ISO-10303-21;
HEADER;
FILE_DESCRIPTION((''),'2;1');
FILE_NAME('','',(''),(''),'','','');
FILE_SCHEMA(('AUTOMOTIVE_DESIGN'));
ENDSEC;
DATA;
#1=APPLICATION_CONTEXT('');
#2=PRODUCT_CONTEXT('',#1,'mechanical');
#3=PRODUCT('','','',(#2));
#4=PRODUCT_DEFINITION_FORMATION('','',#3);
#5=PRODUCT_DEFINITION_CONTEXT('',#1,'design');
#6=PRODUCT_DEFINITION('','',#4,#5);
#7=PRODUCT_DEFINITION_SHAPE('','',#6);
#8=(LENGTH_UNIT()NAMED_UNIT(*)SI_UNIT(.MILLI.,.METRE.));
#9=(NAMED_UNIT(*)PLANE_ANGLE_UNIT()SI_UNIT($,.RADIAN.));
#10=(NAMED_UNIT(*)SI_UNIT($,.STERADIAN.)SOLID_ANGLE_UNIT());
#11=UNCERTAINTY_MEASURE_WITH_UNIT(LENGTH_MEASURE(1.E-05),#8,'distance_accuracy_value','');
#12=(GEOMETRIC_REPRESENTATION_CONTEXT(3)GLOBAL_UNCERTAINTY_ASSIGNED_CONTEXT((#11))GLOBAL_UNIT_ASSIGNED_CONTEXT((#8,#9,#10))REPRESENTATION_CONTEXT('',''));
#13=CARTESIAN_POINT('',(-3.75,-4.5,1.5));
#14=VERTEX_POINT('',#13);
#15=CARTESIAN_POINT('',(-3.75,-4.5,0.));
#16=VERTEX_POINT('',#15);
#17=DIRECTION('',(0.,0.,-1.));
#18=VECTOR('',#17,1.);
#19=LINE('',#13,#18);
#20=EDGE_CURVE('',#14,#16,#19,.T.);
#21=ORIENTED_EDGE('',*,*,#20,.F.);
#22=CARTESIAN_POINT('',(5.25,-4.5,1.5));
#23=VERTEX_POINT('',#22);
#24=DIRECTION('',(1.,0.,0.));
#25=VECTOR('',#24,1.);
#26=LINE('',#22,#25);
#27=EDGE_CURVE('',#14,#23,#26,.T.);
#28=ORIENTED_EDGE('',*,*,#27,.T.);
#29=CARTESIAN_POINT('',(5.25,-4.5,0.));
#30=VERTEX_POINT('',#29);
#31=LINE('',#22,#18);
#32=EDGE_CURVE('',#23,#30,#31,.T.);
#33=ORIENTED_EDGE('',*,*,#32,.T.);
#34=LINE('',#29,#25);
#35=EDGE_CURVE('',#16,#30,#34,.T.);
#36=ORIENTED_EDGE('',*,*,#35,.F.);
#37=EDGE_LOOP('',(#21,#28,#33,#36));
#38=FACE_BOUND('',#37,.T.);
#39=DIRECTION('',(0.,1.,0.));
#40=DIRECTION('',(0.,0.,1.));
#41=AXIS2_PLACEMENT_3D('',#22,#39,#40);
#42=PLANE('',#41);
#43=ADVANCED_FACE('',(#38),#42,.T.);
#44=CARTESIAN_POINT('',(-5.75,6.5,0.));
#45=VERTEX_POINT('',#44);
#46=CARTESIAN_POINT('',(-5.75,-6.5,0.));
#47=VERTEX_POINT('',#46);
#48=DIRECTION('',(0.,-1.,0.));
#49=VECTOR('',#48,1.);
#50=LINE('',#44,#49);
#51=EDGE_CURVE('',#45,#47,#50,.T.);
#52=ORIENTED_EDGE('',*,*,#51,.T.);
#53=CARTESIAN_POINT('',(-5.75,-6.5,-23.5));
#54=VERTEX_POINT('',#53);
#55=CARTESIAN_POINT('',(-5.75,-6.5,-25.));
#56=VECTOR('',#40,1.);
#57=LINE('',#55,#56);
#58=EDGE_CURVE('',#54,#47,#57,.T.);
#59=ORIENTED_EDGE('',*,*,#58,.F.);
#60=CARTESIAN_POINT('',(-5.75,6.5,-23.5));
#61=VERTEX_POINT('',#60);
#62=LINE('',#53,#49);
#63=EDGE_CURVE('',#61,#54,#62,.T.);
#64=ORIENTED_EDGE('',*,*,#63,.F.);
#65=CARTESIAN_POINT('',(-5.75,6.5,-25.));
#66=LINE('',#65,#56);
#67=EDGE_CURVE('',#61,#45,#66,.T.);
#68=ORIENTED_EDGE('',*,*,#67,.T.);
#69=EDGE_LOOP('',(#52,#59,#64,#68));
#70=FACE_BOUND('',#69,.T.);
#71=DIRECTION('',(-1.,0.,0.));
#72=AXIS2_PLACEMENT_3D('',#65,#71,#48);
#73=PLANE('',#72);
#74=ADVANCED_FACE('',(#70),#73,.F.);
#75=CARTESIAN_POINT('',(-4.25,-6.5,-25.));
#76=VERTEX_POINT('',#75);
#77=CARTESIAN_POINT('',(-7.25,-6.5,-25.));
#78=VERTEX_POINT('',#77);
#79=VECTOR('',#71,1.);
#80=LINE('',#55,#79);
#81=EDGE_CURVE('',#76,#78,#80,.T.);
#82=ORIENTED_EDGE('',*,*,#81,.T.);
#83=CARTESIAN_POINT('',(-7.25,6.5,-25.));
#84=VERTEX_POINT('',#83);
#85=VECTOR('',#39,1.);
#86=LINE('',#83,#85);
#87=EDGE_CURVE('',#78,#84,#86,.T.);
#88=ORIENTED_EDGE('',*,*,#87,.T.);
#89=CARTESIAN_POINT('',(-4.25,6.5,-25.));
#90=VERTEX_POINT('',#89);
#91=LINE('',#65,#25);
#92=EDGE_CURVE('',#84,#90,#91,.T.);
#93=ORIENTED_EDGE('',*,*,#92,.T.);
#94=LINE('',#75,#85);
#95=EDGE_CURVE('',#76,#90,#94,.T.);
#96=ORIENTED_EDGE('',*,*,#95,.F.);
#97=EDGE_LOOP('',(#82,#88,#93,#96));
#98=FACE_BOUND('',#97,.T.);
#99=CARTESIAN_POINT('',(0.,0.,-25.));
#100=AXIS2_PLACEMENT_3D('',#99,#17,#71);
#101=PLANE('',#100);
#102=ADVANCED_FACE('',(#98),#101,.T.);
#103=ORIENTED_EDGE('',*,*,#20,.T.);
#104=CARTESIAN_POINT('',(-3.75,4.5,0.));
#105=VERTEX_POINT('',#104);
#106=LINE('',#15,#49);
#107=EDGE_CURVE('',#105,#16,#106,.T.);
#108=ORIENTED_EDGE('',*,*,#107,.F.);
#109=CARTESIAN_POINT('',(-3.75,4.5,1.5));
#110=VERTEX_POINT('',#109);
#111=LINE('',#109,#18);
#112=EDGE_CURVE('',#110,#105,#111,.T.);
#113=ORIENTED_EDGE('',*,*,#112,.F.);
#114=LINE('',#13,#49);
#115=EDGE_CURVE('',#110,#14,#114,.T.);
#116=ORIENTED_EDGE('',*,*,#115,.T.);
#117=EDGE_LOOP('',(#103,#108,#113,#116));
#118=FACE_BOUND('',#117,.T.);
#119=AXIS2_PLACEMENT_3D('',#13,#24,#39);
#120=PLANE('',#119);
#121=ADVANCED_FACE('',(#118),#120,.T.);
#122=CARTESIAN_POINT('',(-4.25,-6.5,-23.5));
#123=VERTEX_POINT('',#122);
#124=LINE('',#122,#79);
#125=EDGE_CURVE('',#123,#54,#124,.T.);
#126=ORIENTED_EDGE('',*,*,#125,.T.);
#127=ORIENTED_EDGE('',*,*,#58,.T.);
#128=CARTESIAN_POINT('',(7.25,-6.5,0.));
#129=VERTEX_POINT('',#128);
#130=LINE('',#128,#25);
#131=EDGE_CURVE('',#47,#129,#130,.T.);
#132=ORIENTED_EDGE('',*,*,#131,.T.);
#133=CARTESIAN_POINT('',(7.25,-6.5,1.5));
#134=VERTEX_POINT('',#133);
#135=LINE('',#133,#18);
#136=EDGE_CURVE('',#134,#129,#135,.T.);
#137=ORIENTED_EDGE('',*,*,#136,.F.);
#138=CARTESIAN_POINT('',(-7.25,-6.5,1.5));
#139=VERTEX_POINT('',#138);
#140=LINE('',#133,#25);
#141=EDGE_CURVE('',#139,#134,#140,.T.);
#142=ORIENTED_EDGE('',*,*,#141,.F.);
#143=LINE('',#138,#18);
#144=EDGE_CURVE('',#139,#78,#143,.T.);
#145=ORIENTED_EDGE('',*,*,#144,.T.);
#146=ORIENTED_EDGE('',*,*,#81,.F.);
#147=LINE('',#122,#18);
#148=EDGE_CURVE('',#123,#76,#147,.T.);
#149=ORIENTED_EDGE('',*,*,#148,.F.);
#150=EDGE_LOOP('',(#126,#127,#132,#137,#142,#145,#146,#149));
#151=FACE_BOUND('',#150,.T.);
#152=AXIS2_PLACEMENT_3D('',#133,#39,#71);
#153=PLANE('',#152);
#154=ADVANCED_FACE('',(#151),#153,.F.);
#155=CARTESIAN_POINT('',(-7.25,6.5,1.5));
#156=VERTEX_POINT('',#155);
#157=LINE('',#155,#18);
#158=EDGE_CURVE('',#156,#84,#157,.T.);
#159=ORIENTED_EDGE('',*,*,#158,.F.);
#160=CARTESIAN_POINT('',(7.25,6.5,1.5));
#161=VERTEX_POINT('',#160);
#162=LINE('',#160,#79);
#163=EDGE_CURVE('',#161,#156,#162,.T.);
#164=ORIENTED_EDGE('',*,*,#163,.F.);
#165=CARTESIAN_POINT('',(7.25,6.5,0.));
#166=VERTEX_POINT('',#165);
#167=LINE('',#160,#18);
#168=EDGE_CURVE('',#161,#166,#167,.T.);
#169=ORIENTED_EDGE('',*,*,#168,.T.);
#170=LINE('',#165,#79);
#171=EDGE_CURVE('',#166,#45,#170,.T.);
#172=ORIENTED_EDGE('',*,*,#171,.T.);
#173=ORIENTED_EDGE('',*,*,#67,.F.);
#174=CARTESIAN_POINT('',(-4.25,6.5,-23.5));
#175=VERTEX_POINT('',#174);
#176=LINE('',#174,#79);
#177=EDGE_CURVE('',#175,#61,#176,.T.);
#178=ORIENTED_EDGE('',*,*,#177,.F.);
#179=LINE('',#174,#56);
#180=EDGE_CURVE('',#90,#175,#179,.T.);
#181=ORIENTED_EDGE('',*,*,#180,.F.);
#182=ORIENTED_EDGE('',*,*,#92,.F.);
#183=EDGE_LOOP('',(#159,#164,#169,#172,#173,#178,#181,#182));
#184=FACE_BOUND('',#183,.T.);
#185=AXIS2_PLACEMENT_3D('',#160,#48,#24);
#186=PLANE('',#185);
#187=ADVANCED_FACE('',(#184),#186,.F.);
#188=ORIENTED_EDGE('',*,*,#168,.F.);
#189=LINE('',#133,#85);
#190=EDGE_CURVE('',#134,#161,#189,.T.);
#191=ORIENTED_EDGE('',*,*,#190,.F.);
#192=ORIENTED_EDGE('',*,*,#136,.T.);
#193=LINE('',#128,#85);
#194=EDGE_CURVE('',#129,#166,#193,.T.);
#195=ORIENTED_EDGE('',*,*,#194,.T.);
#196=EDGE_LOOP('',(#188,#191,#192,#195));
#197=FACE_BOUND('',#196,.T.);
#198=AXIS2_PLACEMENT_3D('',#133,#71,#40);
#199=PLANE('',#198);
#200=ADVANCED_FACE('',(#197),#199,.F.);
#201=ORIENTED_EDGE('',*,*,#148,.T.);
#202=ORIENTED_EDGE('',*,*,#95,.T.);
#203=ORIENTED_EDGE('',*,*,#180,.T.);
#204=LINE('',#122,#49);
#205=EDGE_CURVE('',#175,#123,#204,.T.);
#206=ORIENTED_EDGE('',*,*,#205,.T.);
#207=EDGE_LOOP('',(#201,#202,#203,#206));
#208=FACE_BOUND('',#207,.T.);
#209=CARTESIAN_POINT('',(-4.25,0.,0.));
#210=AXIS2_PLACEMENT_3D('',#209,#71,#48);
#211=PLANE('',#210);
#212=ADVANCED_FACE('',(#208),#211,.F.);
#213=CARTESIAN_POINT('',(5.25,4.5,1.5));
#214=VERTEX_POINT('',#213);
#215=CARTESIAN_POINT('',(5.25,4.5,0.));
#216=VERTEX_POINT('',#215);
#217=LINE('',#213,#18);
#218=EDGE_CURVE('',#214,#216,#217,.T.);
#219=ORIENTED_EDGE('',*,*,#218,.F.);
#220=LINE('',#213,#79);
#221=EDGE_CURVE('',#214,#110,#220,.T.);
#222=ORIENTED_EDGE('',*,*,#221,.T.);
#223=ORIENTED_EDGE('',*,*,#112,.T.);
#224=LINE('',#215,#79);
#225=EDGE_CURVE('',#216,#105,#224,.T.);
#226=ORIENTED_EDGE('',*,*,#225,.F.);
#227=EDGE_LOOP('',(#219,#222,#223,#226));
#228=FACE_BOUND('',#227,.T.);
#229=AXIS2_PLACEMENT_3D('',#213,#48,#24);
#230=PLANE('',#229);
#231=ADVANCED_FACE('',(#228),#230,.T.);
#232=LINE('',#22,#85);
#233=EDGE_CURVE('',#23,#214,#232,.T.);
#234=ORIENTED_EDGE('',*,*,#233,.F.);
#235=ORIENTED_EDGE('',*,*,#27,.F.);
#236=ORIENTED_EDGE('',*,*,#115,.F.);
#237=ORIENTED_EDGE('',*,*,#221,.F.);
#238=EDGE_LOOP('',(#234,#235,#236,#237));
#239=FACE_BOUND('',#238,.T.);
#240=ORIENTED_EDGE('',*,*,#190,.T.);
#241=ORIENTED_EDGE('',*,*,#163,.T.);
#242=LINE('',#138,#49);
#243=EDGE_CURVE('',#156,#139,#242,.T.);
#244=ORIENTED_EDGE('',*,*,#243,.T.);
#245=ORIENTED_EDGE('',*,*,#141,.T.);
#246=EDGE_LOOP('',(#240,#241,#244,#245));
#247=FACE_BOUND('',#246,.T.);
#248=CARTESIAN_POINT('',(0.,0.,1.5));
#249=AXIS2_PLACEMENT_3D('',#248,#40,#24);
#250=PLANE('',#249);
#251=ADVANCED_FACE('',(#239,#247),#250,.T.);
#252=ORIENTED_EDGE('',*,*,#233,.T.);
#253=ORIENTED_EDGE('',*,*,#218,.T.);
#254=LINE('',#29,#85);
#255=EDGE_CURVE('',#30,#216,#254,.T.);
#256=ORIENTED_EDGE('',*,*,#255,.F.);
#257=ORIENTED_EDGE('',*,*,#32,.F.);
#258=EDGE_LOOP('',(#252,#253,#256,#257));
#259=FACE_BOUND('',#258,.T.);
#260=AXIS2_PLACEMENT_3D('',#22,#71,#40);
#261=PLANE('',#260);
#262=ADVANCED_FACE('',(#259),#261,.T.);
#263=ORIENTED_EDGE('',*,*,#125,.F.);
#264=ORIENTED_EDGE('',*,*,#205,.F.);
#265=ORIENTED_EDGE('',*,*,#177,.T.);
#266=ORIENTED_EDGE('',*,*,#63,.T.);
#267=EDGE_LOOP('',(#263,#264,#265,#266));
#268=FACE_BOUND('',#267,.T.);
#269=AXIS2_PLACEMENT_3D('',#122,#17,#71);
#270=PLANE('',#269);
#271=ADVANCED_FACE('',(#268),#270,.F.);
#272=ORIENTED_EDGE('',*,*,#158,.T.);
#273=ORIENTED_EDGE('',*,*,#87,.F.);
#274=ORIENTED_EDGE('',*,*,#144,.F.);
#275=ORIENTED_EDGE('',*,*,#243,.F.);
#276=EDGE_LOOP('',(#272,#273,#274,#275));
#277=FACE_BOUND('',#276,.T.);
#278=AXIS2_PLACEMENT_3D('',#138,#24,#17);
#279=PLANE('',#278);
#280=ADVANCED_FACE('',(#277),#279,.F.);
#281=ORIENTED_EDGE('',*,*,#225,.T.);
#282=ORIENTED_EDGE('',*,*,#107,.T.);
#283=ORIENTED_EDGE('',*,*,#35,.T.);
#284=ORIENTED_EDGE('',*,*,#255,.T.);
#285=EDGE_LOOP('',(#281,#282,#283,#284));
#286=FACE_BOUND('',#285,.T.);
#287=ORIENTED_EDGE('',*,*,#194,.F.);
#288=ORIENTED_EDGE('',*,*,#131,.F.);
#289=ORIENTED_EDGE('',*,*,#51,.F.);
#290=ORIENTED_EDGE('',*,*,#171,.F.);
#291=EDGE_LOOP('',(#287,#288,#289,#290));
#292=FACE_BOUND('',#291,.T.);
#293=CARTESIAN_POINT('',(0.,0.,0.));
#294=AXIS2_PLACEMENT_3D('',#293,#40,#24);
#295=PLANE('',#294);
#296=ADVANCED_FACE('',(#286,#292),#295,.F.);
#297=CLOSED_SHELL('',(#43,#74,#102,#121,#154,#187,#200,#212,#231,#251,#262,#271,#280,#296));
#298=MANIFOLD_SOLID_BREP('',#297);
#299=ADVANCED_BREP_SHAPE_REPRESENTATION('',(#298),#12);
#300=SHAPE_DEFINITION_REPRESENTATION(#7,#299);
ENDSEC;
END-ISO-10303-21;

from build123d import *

# Parameters (mm, degrees)
SKETCH1_W           = 14.5
SKETCH1_H           = 13
SKETCH1_W_2         = 9
SKETCH1_H_2         = 9
BOSS_EXTRUDE1_DEPTH = 1.5
SKETCH2_W           = 1.5
SKETCH2_H           = 13
BOSS_EXTRUDE2_DEPTH = 25
SKETCH3_W           = 1.5
SKETCH3_H           = 13
BOSS_EXTRUDE3_DEPTH = 1.5


with BuildPart() as part:
    # Sketch1 → Boss-Extrude1 (new body)
    with BuildSketch(Plane.XY):
        Rectangle(SKETCH1_W, SKETCH1_H)
        with Locations((0.75, 0)):
            Rectangle(SKETCH1_W_2, SKETCH1_H_2, mode=Mode.SUBTRACT)
    extrude(amount=BOSS_EXTRUDE1_DEPTH)

    # Sketch2 → Boss-Extrude2 (add)
    with BuildSketch(Plane(origin=(0, 0, 0), x_dir=(-1, 0, 0), z_dir=(0, 0, -1))):
        with Locations((6.5, 0)):
            Rectangle(SKETCH2_W, SKETCH2_H)
    extrude(amount=BOSS_EXTRUDE2_DEPTH)

    # Sketch3 → Boss-Extrude3 (add)
    with BuildSketch(Plane(origin=(-5.75, 0, 0), x_dir=(0, 0, -1), z_dir=(1, 0, 0))):
        with Locations((24.25, 0)):
            Rectangle(SKETCH3_W, SKETCH3_H)
    extrude(amount=BOSS_EXTRUDE3_DEPTH)


solid = part.part
